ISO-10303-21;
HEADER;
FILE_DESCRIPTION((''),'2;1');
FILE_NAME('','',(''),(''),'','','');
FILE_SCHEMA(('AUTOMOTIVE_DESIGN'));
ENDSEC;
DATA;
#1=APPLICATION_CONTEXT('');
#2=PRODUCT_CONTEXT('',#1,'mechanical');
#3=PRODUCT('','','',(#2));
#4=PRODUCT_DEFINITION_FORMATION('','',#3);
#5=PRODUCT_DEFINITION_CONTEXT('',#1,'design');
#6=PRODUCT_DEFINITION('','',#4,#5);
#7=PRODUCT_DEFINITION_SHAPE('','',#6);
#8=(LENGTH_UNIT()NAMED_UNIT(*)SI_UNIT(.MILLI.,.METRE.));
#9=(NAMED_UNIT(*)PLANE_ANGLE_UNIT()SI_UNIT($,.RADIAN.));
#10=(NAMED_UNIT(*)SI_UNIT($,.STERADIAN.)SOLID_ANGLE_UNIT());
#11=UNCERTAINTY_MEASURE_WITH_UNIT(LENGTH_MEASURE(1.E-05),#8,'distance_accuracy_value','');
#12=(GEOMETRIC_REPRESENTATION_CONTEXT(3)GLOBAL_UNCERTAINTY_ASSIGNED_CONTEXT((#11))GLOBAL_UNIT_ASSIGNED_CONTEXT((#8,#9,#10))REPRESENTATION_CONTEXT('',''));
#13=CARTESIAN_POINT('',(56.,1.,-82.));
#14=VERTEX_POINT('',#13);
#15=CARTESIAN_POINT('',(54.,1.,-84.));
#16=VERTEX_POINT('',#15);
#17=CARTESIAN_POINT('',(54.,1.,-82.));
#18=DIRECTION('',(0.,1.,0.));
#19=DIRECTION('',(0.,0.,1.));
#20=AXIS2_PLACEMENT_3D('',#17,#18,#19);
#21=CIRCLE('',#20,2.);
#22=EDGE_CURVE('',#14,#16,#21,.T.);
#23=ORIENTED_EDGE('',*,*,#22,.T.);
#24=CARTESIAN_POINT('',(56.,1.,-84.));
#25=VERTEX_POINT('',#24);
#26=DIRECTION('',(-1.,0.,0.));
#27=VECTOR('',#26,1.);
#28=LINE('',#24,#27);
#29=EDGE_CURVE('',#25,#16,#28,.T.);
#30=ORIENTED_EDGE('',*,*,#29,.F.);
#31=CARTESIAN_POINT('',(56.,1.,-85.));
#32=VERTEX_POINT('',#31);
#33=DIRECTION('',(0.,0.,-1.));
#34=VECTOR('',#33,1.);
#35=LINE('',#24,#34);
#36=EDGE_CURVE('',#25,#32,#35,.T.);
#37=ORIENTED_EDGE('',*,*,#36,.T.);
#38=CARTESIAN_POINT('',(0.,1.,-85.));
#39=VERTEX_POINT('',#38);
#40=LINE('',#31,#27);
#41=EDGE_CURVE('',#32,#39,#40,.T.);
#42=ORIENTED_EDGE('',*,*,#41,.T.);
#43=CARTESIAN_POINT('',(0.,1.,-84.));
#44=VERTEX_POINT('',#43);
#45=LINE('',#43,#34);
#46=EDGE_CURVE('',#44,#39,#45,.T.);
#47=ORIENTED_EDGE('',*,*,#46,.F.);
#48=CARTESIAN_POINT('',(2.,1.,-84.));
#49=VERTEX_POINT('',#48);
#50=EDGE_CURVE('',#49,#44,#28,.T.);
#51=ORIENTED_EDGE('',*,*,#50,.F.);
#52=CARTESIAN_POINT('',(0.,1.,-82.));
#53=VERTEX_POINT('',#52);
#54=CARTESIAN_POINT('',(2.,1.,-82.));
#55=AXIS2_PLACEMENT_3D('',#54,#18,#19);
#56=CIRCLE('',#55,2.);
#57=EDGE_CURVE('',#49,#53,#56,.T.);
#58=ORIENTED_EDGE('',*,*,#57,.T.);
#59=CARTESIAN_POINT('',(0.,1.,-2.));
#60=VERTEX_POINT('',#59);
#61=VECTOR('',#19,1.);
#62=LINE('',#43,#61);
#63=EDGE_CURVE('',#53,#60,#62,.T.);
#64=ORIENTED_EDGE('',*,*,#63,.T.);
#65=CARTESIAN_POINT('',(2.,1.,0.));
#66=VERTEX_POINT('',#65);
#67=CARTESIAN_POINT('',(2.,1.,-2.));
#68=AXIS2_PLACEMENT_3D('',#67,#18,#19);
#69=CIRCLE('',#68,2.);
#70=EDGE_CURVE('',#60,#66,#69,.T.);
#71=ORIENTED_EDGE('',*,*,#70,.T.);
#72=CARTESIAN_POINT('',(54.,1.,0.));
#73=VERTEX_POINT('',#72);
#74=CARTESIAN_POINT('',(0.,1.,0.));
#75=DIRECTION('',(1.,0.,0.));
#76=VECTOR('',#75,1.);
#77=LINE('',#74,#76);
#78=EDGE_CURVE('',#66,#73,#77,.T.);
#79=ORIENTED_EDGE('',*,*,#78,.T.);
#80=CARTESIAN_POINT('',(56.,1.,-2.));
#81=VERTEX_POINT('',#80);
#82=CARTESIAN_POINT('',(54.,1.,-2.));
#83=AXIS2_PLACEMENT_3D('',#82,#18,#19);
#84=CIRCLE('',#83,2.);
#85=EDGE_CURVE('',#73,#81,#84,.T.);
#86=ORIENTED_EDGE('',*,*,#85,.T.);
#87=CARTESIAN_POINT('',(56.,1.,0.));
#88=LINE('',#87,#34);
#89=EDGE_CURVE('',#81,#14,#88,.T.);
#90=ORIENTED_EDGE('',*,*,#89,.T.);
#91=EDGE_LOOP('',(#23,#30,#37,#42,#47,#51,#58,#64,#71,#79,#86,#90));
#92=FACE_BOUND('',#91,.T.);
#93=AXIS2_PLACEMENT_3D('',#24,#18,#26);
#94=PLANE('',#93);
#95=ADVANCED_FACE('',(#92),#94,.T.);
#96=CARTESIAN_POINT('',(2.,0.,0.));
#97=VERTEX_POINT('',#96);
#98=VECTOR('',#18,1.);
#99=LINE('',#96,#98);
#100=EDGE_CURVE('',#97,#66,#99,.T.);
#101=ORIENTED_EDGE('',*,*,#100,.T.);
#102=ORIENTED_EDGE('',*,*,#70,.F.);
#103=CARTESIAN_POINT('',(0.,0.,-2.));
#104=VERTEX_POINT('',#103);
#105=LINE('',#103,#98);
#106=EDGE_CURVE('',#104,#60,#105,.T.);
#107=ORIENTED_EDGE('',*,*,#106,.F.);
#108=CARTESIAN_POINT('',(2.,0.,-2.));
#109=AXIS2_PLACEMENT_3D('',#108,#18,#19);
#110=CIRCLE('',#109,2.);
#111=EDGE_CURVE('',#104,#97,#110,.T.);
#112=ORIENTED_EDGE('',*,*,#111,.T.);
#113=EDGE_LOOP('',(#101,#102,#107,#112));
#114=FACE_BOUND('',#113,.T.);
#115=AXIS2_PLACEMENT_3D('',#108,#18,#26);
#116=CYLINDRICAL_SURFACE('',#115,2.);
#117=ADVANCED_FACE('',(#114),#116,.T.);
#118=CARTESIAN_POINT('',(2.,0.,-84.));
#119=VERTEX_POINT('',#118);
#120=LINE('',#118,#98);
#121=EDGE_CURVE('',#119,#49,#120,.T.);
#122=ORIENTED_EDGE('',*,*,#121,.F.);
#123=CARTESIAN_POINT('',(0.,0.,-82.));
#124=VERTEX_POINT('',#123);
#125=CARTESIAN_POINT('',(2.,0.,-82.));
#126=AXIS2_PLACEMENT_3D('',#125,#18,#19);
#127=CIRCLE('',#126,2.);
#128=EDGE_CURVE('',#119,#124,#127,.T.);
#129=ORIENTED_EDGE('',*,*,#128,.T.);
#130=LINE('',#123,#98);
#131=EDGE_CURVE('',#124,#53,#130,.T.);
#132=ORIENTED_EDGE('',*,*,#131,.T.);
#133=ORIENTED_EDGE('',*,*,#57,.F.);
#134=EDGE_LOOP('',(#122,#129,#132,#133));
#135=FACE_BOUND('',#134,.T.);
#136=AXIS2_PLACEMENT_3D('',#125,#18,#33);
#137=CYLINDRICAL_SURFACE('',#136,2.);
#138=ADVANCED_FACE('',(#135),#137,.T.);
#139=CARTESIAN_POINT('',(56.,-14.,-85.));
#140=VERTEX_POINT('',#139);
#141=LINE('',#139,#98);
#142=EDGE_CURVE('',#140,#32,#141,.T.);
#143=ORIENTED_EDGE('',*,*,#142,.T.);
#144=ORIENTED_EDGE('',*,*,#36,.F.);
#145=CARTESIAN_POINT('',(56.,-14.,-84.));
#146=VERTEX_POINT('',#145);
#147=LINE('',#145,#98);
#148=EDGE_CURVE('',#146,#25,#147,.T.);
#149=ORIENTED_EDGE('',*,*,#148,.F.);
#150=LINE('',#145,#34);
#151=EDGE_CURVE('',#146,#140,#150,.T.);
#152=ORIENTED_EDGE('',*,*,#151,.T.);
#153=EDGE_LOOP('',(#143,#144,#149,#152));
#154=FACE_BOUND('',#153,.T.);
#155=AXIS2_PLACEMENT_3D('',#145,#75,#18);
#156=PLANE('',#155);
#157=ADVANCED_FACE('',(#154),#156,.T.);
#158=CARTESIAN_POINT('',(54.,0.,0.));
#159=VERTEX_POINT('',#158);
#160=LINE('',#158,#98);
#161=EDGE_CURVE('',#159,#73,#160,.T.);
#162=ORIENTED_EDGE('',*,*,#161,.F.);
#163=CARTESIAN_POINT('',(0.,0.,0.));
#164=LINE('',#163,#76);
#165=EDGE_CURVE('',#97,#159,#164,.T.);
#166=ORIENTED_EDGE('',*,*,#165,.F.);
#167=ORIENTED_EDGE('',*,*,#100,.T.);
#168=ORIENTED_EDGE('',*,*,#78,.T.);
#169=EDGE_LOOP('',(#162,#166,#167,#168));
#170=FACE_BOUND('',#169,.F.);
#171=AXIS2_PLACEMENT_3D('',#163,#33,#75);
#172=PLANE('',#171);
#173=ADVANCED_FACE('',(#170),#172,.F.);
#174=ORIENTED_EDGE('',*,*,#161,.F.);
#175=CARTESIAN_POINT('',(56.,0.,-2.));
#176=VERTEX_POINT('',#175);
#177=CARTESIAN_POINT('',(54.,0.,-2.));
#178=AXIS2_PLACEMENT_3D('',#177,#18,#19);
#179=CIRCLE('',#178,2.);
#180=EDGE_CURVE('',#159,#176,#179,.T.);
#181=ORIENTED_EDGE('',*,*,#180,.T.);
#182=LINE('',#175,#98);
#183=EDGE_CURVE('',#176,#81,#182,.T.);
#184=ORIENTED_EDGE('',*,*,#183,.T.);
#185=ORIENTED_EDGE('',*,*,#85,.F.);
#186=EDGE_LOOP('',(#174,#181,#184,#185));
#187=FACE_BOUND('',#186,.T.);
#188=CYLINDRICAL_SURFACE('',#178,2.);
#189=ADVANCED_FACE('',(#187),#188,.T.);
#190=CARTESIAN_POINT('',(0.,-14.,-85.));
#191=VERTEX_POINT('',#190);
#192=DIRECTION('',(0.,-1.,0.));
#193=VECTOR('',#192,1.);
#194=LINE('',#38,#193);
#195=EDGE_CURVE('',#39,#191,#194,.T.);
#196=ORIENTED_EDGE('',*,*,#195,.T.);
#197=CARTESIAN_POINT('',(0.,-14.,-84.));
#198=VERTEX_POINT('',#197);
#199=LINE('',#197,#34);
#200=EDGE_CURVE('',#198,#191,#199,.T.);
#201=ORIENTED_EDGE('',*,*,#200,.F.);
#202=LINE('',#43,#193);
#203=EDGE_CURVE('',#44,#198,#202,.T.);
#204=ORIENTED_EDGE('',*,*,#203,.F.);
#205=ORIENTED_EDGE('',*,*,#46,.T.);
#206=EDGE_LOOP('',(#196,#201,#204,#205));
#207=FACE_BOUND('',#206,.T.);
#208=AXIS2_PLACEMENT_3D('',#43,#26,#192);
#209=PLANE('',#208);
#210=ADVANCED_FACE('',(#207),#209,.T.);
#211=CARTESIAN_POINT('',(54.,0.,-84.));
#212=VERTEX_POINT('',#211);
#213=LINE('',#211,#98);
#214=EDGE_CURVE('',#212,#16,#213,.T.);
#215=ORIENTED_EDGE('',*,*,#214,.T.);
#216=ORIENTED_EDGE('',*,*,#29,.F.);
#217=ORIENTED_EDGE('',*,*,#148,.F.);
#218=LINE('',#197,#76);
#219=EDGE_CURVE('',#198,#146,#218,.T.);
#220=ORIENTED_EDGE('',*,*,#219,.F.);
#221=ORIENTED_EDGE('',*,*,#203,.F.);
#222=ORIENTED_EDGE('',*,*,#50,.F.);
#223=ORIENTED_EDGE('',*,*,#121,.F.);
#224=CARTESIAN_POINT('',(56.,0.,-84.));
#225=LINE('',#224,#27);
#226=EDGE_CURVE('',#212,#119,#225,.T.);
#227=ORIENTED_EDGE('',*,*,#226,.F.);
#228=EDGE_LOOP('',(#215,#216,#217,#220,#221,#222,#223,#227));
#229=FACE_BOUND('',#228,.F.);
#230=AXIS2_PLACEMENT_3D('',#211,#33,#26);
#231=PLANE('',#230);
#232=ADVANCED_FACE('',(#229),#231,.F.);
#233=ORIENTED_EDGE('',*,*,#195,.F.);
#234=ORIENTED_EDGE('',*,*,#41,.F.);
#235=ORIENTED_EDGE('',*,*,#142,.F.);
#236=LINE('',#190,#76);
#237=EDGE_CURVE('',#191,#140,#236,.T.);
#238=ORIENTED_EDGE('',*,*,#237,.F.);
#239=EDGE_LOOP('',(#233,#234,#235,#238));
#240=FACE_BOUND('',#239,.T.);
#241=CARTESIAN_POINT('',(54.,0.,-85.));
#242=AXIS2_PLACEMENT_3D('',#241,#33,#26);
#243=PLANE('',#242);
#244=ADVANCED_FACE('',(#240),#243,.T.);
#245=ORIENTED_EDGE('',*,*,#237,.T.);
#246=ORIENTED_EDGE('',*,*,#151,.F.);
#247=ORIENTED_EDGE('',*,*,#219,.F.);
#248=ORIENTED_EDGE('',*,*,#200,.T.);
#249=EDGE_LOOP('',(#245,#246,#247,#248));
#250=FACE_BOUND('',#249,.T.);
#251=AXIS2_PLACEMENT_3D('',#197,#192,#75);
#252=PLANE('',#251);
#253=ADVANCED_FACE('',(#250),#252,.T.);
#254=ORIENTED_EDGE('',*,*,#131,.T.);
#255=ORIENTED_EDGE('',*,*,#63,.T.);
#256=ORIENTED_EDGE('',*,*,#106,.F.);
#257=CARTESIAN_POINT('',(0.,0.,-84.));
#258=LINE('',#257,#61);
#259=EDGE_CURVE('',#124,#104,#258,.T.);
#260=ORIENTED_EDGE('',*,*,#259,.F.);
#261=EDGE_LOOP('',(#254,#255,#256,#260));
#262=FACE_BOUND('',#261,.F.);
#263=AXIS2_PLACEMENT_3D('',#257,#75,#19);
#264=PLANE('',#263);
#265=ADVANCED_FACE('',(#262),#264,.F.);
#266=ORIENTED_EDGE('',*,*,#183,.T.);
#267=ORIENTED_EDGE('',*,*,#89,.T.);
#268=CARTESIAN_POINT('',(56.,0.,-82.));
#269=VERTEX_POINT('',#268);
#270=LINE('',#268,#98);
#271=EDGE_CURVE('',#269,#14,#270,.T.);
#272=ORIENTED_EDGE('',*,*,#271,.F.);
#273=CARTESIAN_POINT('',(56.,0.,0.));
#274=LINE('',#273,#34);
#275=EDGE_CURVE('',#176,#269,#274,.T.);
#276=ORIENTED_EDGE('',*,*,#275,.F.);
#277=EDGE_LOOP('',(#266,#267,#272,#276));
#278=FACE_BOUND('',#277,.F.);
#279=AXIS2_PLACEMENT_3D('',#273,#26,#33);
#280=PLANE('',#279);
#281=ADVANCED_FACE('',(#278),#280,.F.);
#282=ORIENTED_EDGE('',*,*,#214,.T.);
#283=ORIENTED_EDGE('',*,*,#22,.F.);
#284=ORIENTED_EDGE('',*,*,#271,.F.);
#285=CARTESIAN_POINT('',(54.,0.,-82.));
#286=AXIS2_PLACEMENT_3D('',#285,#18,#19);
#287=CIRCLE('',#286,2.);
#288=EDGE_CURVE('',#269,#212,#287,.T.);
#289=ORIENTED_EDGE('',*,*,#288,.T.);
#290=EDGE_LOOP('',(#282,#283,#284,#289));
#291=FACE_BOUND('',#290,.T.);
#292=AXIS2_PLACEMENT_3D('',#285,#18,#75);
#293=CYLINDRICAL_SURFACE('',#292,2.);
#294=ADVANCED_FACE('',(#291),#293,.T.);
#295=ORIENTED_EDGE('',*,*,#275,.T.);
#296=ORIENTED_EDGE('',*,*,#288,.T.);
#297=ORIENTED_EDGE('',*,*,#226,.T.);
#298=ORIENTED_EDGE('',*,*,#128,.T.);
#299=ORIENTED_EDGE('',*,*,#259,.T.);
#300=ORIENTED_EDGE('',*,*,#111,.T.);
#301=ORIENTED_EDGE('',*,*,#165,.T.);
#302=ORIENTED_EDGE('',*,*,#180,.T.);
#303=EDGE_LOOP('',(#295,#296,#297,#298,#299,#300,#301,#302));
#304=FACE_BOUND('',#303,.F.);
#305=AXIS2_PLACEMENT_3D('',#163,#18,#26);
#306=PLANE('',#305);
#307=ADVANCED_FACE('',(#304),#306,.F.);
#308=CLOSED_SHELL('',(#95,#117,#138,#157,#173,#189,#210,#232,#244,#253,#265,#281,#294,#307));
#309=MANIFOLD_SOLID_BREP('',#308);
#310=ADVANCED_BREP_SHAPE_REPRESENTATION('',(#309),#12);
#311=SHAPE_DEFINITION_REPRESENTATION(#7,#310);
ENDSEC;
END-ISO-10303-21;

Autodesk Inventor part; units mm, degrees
ref_plane "YZ Plane" through (0, 0, 0) normal (1, 0, 0) x (0, 1, 0)
ref_plane "XZ Plane" through (0, 0, 0) normal (0, 1, 0) x (-1, 0, 0)
sketch "Sketch1" plane through (0, 0, 0) normal (0, 1, 0) x (-1, 0, 0)
  line L0 (0, 0) -> (-56, 0)
  line L1 (-56, 0) -> (-56, -84)
  line L2 (-56, -84) -> (0, -84)
  line L3 (0, -84) -> (0, 0)
  point P0 (-28, -84)
  dimension "d0" = 56
  dimension "d1" = 84
extrude "Extrusion1" add sketch "Sketch1" along normal blind 1
fillet "Fillet1" radius 2 1 edges at (0, 0.5, 0)
fillet "Fillet2" radius 2 1 edges at (56, 0.5, 0)
fillet "Fillet3" radius 2 1 edges at (56, 0.5, -84)
fillet "Fillet4" radius 2 1 edges at (0, 0.5, -84)
sketch "Sketch2" plane through (0, 1, 0) normal (0, 1, 0) x (1, 0, 0)
  point P0 (0, 0)
ref_plane "Work Plane1" through (54, 0, -84) normal (0, 0, -1) x (-1, 0, 0)
sketch "Sketch3" plane through (54, 0, -84) normal (0, 0, -1) x (-1, 0, 0)
  line L0 (-2, 1) -> (0, 1) projected
  line L1 (-2, 1) -> (54, 1)
  line L2 (54, 1) -> (54, -14)
  line L3 (54, -14) -> (-2, -14)
  line L4 (-2, -14) -> (-2, 1)
  point P0 (54, 0)
  dimension "d9" = 0
  dimension "d10" = 15
extrude "Extrusion2" add sketch "Sketch3" along normal blind 1
properties part number "cover"
